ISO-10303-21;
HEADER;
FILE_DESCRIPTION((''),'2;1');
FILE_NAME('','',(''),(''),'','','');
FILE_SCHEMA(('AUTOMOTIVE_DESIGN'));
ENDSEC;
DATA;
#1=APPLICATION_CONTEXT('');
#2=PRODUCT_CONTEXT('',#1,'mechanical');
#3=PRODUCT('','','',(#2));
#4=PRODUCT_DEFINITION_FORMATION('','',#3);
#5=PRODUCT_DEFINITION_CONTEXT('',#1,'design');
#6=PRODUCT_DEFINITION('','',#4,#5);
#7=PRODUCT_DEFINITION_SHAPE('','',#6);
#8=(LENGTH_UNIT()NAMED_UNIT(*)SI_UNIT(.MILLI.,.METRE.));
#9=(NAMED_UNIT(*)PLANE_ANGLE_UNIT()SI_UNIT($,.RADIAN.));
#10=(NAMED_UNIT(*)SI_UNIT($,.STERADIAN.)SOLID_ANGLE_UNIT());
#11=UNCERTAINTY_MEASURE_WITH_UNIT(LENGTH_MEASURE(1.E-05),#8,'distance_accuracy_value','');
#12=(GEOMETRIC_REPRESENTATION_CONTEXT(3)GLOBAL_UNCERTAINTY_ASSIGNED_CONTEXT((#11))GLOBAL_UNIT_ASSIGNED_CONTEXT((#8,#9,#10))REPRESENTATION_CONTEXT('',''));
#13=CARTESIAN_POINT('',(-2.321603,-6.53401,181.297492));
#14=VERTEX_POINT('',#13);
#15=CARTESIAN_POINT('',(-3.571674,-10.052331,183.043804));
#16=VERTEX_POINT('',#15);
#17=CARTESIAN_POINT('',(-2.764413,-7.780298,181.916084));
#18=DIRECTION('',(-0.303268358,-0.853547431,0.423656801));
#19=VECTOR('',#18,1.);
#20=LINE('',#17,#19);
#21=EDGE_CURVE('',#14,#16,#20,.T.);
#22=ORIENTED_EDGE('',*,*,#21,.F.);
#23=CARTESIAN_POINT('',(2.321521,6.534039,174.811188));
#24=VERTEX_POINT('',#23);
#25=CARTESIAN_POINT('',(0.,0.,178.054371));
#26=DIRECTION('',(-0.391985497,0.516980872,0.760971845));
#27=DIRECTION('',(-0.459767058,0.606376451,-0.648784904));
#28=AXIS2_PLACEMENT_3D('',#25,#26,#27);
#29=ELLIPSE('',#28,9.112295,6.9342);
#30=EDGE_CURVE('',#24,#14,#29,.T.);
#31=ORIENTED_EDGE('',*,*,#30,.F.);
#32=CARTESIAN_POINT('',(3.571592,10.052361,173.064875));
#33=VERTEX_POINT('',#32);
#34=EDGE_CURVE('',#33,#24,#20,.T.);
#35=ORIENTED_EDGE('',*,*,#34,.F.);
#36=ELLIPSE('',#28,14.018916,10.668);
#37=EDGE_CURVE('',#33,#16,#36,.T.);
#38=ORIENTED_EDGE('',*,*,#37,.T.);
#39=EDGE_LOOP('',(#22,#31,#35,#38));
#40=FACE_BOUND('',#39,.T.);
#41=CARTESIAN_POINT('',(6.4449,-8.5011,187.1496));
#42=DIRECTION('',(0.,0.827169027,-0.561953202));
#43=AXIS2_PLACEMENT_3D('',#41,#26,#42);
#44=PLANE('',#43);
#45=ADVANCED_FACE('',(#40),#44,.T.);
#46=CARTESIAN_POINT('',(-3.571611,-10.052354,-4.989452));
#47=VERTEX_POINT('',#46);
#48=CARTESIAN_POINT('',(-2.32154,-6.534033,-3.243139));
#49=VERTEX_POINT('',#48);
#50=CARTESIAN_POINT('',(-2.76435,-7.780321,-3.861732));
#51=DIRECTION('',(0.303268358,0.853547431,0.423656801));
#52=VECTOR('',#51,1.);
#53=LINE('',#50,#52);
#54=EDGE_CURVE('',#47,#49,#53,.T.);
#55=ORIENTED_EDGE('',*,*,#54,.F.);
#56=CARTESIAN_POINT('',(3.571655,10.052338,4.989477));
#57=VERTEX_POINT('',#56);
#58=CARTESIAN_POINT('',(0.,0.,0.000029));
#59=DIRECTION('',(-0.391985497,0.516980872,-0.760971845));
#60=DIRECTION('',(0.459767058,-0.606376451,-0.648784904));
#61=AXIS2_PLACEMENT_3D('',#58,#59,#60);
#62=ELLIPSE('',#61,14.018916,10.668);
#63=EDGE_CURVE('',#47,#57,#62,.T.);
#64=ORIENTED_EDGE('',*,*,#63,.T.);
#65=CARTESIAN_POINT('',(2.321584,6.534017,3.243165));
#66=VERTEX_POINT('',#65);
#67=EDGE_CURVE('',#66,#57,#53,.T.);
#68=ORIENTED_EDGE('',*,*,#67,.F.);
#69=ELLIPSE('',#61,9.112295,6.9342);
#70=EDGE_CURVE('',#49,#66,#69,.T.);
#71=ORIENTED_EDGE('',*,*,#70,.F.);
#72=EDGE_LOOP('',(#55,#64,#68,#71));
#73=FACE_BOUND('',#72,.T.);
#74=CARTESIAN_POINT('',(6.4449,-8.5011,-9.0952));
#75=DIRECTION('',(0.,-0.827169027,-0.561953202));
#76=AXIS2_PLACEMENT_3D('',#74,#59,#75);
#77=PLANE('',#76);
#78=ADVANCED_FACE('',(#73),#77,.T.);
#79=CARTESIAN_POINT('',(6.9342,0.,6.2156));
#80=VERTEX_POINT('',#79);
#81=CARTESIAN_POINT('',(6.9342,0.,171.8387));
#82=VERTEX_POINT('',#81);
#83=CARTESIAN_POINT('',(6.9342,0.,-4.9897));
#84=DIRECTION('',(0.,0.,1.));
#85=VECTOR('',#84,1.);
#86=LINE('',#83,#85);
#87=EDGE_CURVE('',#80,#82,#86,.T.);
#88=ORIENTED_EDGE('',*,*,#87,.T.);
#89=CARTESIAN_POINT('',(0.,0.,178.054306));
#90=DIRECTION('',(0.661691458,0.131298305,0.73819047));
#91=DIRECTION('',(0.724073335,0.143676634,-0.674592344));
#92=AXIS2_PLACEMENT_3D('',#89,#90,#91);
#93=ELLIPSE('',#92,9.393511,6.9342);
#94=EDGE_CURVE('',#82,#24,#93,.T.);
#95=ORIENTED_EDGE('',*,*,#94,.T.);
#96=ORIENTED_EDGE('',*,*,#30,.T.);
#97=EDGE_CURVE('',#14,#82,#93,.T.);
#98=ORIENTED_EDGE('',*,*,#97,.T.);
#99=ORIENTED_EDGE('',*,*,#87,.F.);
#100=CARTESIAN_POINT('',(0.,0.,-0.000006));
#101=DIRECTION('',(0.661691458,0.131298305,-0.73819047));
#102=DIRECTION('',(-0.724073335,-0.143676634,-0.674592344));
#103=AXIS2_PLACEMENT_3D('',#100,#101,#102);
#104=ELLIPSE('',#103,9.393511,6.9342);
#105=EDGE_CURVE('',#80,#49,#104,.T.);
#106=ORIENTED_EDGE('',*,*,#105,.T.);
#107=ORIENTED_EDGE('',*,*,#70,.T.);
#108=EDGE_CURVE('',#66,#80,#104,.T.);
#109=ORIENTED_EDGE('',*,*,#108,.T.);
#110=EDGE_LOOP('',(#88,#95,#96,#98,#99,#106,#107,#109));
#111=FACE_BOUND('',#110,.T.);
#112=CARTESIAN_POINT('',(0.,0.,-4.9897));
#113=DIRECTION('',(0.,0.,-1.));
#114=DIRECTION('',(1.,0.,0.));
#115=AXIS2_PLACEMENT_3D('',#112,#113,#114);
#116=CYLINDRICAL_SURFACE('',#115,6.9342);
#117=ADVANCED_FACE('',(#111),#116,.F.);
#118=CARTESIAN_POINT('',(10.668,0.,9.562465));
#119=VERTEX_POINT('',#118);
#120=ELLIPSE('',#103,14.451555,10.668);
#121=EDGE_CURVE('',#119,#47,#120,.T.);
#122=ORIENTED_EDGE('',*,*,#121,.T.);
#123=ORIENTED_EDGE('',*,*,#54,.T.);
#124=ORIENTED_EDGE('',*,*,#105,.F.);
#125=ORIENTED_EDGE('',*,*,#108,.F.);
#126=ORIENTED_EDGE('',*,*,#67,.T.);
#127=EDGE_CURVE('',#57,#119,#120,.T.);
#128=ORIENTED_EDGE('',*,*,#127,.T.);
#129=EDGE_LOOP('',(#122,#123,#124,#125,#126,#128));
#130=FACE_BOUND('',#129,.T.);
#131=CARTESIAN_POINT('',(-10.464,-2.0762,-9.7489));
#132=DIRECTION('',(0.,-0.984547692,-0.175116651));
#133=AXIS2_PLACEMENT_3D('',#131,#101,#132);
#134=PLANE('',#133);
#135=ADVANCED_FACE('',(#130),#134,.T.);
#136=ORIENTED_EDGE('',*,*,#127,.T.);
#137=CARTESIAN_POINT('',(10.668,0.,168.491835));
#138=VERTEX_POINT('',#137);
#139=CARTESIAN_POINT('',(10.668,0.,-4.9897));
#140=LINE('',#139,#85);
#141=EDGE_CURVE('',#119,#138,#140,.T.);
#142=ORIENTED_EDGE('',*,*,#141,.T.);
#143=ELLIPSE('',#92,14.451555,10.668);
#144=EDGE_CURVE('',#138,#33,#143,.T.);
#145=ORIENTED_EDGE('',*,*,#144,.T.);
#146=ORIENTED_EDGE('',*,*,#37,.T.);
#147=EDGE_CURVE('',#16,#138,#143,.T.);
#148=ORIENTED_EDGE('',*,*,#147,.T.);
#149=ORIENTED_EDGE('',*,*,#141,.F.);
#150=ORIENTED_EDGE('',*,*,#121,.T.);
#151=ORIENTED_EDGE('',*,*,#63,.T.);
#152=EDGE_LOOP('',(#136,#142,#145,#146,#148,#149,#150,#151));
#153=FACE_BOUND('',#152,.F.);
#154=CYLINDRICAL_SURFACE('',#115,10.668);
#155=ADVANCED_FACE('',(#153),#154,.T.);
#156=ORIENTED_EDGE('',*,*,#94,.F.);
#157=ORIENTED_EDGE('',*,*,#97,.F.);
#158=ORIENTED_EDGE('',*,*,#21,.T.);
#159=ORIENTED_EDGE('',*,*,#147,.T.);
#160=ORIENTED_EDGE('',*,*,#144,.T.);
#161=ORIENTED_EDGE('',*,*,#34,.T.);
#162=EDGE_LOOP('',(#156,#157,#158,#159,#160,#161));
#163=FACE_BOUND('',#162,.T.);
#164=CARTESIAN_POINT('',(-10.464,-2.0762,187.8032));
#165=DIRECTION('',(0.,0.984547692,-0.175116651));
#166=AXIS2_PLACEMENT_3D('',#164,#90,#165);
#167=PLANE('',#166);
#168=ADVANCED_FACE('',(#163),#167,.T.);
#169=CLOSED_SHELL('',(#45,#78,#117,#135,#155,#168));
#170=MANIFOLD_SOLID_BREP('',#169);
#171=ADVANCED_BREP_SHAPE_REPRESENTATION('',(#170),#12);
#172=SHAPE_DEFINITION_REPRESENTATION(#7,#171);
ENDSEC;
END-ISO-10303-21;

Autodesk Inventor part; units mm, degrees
ref_plane "Start Plane" through (0, 0, -4.9897) normal (0, 0, 1) x (1, 0, 0)
ref_plane "End Plane" through (0, 0, 183.044) normal (0, 0, 1) x (1, 0, 0)
sketch "Sketch" plane through (0, 0, 0) normal (0, 0, 1) x (1, 0, 0)
  circle A0 centre (0, 0) radius 6.9342
  circle A1 centre (0, 0) radius 10.668
  dimension "d0" = 21.336
  dimension "d1" = 3.7338
extrude "Body" add sketch "Sketch" along normal up to surface (188.0337 mm away) from surface at -4.9897
sketch "Sketch3" plane through (0, 0, 0) normal (0, 0, 1) x (1, 0, 0)
  line L0 (0, 0) -> (10, 0)
ref_plane "Work Plane3" through (0, 0, 0) normal (0, -1, 0) x (1, 0, 0)
sketch "Sketch4" plane through (0, 0, 0) normal (0, -1, 0) x (1, 0, 0)
  line L0 (-2, -4.9897) -> (12, -4.9897)
  line L1 (-2, 183.044) -> (12, 183.044)
  dimension "d7" = 188.0337
ref_plane "Work Plane4" through (-10.464, -2.0762, 187.8032) normal (0.6617, 0.1313, 0.7382) x (0.7481, -0.05, -0.6617)
split "Split1" plane through (-10.464, -2.0762, 187.8032) removes the side toward (0.6617, 0.1313, 0.7382)
ref_plane "Work Plane5" through (6.4449, -8.5011, 187.1496) normal (-0.392, 0.517, 0.761) x (0.9128, 0.1151, 0.392)
split "Split2" plane through (6.4449, -8.5011, 187.1496) removes the side toward (-0.392, 0.517, 0.761)
ref_plane "Work Plane6" through (-10.464, -2.0762, -9.7489) normal (0.6617, 0.1313, -0.7382) x (-0.6724, -0.3318, -0.6617)
split "Split3" plane through (-10.464, -2.0762, -9.7489) removes the side toward (0.6617, 0.1313, -0.7382)
ref_plane "Work Plane7" through (6.4449, -8.5011, -9.0952) normal (-0.392, 0.517, -0.761) x (0.3573, 0.8478, 0.392)
split "Split4" plane through (6.4449, -8.5011, -9.0952) removes the side toward (-0.392, 0.517, -0.761)
equation "\"d0\" = G_H"
equation "\"d1\" = G_T"
equation "\"d2\" = G_L"
equation "\"G_H\" = 21.336"
equation "\"G_T\" = 3.7338"
equation "\"G_L\" = 188.03367"
equation "\"G_OFFSET_START\" = 4.98966"
equation "\"G_OFFSET_END\" = 4.98966"
equation "\"d4\" = -G_OFFSET_START"
equation "\"d5\" = G_OFFSET_END + B_L"
equation "\"B_L\" = 178.05435"
properties part number "ANSI - 1/2 x 0.147 - 7.403" material "Steel, Mild"
